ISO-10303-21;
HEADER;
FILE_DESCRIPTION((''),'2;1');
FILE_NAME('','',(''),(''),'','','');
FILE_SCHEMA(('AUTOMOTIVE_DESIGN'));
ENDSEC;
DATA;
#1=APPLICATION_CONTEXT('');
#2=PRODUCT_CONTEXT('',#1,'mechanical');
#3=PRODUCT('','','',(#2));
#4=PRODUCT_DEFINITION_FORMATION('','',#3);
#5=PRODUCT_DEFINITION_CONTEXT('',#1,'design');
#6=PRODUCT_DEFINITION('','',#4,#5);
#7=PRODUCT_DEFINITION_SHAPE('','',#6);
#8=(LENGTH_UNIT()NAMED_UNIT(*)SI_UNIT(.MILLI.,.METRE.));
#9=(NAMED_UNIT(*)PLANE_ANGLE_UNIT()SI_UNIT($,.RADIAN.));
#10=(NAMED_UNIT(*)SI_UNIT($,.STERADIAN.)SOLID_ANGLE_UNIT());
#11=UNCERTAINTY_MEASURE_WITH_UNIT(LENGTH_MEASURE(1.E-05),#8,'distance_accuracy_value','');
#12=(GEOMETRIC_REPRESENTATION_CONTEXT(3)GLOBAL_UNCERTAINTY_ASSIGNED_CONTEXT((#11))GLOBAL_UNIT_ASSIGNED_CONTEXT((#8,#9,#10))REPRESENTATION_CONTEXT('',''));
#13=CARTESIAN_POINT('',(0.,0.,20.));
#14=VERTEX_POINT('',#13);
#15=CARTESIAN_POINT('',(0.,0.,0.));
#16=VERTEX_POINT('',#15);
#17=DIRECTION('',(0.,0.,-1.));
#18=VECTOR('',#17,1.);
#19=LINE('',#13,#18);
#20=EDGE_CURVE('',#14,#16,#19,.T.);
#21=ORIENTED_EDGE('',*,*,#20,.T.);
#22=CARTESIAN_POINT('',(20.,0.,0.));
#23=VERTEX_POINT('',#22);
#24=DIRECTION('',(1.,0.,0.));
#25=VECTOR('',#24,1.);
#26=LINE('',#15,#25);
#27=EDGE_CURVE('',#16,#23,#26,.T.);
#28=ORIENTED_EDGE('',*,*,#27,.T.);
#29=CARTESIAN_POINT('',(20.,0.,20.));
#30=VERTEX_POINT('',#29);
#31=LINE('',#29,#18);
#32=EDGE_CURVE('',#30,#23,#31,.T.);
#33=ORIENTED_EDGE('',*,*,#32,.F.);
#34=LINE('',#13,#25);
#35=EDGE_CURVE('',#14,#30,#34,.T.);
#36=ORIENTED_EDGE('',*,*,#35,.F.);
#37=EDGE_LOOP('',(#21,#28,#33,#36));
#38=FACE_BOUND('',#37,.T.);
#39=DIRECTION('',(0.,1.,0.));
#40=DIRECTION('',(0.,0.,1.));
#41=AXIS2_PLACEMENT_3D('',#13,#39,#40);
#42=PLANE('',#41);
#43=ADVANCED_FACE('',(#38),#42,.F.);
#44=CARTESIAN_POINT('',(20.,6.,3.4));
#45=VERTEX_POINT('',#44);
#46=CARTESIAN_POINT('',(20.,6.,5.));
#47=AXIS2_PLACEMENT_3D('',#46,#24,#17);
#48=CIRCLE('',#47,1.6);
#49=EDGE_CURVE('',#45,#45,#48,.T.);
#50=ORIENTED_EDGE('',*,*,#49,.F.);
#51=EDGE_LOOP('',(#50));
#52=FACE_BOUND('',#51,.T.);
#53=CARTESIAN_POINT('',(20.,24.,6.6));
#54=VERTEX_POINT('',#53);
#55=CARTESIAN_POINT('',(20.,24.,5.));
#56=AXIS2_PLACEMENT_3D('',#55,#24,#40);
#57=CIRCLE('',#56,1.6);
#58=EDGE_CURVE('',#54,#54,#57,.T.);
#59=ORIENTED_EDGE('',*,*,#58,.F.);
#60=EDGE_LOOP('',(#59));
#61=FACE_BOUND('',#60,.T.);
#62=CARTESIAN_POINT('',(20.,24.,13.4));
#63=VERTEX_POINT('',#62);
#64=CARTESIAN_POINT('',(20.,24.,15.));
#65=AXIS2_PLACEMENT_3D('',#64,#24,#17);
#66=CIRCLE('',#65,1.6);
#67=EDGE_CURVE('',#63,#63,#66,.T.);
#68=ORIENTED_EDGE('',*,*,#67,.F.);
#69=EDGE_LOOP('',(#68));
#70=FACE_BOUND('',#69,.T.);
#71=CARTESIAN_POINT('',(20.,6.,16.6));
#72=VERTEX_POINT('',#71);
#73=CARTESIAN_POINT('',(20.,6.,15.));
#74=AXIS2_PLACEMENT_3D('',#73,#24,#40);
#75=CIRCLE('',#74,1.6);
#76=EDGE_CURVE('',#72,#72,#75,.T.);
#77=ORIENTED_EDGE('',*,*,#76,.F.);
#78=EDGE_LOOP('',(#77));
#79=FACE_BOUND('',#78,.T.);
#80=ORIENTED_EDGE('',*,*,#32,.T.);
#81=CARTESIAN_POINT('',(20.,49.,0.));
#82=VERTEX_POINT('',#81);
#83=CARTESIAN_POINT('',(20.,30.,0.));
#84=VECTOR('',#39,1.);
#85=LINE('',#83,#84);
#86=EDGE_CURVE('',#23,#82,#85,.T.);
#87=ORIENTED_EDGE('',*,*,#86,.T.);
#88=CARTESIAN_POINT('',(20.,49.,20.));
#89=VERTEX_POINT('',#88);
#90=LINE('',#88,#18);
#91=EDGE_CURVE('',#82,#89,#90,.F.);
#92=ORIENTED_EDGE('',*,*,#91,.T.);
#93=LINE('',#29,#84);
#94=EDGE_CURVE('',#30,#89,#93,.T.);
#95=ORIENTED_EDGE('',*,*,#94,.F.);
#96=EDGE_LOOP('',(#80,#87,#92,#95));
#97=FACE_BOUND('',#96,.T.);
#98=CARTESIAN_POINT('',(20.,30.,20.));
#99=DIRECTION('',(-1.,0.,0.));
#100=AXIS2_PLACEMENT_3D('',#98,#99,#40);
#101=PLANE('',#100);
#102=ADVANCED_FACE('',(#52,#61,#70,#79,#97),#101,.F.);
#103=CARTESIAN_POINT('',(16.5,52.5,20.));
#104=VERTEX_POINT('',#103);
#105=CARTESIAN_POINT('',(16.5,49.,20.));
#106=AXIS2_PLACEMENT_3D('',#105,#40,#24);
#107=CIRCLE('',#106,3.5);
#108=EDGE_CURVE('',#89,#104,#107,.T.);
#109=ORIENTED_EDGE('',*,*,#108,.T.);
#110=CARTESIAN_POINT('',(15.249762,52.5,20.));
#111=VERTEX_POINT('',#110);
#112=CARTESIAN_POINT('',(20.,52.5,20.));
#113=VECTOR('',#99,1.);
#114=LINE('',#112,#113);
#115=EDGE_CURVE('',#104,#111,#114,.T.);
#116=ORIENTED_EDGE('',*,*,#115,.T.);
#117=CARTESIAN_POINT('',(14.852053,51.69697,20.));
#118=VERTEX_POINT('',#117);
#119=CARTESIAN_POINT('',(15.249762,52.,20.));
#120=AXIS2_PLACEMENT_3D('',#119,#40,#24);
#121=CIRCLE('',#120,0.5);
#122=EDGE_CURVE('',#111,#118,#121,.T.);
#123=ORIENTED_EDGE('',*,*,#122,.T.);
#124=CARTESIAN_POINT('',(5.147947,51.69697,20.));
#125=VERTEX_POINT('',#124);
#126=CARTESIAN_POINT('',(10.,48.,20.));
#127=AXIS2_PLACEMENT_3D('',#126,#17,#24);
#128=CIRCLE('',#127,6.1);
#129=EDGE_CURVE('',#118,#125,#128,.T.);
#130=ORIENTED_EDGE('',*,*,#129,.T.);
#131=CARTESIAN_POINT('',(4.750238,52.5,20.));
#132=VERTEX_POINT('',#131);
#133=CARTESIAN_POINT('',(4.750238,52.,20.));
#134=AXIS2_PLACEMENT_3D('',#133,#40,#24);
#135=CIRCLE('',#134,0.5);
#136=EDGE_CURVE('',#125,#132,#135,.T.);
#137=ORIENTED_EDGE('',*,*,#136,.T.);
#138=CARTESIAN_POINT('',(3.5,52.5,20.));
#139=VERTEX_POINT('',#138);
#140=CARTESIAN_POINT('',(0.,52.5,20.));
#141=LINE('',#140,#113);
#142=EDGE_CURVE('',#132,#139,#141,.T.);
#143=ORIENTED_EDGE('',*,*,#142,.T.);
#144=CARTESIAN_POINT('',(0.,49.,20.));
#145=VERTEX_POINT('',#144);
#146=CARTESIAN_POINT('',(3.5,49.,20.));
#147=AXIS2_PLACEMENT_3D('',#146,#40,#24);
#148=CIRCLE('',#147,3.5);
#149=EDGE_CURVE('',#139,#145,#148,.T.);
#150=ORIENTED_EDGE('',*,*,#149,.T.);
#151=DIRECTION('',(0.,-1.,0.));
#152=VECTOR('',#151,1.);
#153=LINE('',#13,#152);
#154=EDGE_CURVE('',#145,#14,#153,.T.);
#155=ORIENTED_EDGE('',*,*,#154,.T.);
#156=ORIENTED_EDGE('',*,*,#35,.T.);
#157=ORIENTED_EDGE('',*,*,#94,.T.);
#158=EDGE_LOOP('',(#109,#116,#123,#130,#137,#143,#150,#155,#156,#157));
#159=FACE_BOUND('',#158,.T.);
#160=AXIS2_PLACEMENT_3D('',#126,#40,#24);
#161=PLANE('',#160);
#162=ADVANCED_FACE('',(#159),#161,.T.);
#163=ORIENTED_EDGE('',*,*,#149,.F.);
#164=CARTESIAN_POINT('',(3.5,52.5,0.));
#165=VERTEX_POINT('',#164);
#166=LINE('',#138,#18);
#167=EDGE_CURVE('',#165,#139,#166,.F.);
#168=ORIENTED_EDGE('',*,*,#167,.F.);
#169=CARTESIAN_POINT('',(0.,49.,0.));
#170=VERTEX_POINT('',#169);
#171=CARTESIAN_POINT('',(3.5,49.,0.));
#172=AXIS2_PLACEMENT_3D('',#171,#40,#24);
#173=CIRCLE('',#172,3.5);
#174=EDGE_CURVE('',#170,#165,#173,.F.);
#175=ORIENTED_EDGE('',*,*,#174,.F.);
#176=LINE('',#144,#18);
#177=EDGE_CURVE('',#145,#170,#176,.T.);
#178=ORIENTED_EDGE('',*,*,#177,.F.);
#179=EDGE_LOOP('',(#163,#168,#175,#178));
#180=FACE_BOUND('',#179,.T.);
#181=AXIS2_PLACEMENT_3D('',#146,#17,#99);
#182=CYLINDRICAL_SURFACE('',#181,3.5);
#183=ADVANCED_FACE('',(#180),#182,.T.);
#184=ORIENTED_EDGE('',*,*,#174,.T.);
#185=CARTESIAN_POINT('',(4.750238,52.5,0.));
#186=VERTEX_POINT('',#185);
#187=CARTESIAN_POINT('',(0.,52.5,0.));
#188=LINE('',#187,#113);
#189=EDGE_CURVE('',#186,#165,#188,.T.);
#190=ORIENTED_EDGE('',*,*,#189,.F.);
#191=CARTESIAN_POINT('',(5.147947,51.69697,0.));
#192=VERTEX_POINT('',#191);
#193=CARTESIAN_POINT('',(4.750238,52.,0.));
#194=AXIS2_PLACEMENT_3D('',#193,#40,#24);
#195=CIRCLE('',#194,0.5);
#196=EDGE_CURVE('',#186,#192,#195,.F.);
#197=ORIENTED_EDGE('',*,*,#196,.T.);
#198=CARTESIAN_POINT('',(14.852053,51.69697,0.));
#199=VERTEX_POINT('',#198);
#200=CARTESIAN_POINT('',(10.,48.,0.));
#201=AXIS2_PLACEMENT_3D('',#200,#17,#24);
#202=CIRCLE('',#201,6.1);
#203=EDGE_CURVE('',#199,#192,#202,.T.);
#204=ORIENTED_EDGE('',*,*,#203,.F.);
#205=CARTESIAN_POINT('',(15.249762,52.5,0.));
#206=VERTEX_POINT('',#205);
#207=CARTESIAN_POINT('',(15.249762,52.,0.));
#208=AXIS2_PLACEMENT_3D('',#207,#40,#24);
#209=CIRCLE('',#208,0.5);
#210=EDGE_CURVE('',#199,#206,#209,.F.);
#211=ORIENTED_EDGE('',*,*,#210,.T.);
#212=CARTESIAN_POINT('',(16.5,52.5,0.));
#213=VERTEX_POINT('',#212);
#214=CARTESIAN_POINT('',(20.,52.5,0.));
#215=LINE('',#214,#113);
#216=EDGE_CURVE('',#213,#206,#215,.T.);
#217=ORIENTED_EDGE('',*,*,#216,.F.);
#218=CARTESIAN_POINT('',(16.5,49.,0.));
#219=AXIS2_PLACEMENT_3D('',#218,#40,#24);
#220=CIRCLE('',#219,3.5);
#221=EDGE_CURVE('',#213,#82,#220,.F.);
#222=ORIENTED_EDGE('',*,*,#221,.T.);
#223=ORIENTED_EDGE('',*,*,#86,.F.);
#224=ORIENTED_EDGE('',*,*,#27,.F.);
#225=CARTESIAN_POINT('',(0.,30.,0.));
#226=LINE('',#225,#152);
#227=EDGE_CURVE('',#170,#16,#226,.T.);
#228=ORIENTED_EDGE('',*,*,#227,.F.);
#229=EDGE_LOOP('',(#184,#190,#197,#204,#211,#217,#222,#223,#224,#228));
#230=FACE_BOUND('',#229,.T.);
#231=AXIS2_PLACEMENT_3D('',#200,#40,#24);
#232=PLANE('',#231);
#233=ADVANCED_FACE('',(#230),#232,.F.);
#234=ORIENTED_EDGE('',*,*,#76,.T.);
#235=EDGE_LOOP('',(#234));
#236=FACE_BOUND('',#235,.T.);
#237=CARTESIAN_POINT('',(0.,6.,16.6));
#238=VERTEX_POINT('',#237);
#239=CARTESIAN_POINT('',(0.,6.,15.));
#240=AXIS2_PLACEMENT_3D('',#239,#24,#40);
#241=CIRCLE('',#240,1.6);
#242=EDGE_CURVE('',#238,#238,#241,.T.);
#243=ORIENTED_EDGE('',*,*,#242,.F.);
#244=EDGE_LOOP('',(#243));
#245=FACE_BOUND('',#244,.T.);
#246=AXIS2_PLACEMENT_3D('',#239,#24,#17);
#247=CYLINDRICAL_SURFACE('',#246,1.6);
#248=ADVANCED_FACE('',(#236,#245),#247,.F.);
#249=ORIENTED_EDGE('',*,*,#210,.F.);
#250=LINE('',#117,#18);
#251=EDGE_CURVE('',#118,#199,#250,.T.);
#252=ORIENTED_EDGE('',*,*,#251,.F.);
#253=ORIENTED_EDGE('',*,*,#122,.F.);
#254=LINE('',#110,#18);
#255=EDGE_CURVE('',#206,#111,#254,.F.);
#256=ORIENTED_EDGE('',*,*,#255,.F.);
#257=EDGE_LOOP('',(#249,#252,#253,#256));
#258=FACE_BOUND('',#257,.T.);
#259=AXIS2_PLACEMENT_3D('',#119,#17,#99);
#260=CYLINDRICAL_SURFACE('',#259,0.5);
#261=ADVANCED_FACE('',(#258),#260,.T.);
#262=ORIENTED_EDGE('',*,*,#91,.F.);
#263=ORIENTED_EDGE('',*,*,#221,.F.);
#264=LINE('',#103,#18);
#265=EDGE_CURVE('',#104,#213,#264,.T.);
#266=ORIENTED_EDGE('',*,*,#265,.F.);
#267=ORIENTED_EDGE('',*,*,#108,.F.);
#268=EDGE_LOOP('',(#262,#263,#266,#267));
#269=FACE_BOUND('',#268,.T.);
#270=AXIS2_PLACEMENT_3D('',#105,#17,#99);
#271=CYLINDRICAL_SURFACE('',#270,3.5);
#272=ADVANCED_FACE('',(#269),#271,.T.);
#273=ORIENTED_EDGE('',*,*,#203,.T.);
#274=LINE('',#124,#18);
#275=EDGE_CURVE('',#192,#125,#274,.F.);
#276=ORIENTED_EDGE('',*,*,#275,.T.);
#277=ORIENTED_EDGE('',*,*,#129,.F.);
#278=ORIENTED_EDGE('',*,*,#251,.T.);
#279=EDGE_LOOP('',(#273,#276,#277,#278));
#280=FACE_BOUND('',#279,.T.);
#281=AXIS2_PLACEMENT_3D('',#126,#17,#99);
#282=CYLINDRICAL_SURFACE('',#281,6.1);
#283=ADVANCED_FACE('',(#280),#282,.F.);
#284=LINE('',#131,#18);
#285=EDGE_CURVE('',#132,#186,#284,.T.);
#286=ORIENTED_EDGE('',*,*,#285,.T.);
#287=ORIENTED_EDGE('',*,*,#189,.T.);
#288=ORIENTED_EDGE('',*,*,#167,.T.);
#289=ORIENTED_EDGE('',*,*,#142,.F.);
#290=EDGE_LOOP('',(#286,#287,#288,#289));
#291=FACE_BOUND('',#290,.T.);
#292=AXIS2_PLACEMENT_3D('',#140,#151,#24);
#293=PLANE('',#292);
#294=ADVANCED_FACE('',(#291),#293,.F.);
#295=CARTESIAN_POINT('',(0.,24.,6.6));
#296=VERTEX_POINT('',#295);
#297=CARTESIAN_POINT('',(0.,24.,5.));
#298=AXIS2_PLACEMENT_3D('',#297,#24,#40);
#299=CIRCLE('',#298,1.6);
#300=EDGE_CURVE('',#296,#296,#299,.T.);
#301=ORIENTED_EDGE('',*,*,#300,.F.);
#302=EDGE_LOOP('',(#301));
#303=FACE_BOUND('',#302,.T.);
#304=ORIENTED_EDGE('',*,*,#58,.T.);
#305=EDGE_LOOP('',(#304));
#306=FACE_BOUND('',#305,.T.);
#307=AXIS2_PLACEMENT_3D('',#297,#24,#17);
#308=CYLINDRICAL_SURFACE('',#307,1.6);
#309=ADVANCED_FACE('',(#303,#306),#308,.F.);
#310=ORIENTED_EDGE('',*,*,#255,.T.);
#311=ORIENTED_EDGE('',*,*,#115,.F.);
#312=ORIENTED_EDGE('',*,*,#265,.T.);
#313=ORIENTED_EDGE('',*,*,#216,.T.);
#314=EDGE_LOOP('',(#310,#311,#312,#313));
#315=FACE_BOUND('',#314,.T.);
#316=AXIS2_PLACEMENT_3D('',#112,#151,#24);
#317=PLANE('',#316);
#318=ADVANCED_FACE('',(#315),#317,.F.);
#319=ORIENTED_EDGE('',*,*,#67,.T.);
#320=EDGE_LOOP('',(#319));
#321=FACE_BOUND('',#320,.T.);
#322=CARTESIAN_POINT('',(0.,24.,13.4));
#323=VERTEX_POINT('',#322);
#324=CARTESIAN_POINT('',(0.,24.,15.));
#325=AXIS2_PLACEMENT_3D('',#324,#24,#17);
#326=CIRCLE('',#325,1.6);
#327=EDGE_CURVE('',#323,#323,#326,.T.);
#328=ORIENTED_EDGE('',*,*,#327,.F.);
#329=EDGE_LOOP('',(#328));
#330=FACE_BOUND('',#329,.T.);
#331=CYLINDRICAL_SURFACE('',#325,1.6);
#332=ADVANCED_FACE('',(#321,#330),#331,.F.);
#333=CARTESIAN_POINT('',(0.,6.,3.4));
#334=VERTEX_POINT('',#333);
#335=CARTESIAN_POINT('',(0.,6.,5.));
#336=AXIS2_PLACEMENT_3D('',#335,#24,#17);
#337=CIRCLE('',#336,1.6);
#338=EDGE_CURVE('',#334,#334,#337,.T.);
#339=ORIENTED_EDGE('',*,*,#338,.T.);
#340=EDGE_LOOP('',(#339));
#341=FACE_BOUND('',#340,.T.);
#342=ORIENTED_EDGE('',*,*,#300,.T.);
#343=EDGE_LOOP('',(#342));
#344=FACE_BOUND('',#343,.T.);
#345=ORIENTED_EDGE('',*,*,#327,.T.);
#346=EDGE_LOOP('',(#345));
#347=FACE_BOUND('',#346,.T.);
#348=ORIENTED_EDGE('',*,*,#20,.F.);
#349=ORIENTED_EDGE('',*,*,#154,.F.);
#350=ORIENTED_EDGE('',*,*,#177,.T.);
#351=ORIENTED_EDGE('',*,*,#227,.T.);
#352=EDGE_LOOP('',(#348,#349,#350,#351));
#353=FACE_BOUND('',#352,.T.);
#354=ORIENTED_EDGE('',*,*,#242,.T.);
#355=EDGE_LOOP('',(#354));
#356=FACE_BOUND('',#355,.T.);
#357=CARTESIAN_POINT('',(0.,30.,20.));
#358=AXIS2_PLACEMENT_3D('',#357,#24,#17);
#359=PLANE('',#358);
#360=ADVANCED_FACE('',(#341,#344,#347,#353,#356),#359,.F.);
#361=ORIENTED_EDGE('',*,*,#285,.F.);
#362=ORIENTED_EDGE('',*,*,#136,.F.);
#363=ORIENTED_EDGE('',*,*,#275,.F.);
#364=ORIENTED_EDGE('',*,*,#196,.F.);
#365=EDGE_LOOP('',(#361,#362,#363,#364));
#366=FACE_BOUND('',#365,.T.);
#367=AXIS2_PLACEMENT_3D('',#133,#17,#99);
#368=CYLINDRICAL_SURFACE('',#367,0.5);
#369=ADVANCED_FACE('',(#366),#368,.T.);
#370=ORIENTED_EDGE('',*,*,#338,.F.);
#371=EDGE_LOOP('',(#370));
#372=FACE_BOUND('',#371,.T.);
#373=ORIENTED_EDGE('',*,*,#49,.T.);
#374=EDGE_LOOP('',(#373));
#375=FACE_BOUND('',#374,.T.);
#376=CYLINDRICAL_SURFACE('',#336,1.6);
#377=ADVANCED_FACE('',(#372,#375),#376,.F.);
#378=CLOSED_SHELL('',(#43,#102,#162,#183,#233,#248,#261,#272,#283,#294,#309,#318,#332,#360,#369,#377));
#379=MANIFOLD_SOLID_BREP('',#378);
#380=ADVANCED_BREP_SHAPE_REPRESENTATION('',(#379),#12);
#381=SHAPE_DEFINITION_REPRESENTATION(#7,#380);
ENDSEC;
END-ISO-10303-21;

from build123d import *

# Parameters (mm, degrees)
EXTRUDE_1_DEPTH     = 20
SKETCH_2_R          = 1.6
CUT_EXTRUDE_1_DEPTH = 60.634302209
FILLET_1_R          = 3.5
FILLET_2_R          = 0.5


with BuildPart() as part:
    # 草图1 → 凸台-拉伸1 (new body)
    with BuildSketch(Plane.XY):
        with BuildLine():
            Line((0, 0), (20, 0))
            Line((20, 0), (20, 30))
            Line((20, 30), (20, 52.5))
            Line((20, 52.5), (14.118252056, 52.5))
            ThreePointArc((14.118252056, 52.5), (10, 41.9), (5.881747944, 52.5))
            Line((5.881747944, 52.5), (0, 52.5))
            Line((0, 52.5), (0, 30))
            Line((0, 30), (0, 0))
        make_face()
    extrude(amount=EXTRUDE_1_DEPTH)

    # 草图2 → 切除-拉伸1 (cut, through all)
    with BuildSketch(Plane(origin=(20, 0, 0), x_dir=(0, 0, -1), z_dir=(1, 0, 0))):
        with Locations((-15, 24)):
            Circle(SKETCH_2_R)
        with Locations(Location((-15, 6, 0), (0, 0, 180))):
            Circle(SKETCH_2_R)
        with Locations((-5, 6)):
            Circle(SKETCH_2_R)
        with Locations(Location((-5, 24, 0), (0, 0, 180))):
            Circle(SKETCH_2_R)
    extrude(amount=-CUT_EXTRUDE_1_DEPTH, mode=Mode.SUBTRACT)

    # 圆角1
    fillet_1_edges = [part.edges().sort_by_distance(p)[0] for p in [
        (0, 52.5, 10),
        (20, 52.5, 10),
    ]]
    fillet(fillet_1_edges, radius=FILLET_1_R)

    # 圆角2
    fillet_2_edges = [part.edges().sort_by_distance(p)[0] for p in [
        (5.881747944, 52.5, 10),
        (14.118252056, 52.5, 10),
    ]]
    fillet(fillet_2_edges, radius=FILLET_2_R)


solid = part.part
